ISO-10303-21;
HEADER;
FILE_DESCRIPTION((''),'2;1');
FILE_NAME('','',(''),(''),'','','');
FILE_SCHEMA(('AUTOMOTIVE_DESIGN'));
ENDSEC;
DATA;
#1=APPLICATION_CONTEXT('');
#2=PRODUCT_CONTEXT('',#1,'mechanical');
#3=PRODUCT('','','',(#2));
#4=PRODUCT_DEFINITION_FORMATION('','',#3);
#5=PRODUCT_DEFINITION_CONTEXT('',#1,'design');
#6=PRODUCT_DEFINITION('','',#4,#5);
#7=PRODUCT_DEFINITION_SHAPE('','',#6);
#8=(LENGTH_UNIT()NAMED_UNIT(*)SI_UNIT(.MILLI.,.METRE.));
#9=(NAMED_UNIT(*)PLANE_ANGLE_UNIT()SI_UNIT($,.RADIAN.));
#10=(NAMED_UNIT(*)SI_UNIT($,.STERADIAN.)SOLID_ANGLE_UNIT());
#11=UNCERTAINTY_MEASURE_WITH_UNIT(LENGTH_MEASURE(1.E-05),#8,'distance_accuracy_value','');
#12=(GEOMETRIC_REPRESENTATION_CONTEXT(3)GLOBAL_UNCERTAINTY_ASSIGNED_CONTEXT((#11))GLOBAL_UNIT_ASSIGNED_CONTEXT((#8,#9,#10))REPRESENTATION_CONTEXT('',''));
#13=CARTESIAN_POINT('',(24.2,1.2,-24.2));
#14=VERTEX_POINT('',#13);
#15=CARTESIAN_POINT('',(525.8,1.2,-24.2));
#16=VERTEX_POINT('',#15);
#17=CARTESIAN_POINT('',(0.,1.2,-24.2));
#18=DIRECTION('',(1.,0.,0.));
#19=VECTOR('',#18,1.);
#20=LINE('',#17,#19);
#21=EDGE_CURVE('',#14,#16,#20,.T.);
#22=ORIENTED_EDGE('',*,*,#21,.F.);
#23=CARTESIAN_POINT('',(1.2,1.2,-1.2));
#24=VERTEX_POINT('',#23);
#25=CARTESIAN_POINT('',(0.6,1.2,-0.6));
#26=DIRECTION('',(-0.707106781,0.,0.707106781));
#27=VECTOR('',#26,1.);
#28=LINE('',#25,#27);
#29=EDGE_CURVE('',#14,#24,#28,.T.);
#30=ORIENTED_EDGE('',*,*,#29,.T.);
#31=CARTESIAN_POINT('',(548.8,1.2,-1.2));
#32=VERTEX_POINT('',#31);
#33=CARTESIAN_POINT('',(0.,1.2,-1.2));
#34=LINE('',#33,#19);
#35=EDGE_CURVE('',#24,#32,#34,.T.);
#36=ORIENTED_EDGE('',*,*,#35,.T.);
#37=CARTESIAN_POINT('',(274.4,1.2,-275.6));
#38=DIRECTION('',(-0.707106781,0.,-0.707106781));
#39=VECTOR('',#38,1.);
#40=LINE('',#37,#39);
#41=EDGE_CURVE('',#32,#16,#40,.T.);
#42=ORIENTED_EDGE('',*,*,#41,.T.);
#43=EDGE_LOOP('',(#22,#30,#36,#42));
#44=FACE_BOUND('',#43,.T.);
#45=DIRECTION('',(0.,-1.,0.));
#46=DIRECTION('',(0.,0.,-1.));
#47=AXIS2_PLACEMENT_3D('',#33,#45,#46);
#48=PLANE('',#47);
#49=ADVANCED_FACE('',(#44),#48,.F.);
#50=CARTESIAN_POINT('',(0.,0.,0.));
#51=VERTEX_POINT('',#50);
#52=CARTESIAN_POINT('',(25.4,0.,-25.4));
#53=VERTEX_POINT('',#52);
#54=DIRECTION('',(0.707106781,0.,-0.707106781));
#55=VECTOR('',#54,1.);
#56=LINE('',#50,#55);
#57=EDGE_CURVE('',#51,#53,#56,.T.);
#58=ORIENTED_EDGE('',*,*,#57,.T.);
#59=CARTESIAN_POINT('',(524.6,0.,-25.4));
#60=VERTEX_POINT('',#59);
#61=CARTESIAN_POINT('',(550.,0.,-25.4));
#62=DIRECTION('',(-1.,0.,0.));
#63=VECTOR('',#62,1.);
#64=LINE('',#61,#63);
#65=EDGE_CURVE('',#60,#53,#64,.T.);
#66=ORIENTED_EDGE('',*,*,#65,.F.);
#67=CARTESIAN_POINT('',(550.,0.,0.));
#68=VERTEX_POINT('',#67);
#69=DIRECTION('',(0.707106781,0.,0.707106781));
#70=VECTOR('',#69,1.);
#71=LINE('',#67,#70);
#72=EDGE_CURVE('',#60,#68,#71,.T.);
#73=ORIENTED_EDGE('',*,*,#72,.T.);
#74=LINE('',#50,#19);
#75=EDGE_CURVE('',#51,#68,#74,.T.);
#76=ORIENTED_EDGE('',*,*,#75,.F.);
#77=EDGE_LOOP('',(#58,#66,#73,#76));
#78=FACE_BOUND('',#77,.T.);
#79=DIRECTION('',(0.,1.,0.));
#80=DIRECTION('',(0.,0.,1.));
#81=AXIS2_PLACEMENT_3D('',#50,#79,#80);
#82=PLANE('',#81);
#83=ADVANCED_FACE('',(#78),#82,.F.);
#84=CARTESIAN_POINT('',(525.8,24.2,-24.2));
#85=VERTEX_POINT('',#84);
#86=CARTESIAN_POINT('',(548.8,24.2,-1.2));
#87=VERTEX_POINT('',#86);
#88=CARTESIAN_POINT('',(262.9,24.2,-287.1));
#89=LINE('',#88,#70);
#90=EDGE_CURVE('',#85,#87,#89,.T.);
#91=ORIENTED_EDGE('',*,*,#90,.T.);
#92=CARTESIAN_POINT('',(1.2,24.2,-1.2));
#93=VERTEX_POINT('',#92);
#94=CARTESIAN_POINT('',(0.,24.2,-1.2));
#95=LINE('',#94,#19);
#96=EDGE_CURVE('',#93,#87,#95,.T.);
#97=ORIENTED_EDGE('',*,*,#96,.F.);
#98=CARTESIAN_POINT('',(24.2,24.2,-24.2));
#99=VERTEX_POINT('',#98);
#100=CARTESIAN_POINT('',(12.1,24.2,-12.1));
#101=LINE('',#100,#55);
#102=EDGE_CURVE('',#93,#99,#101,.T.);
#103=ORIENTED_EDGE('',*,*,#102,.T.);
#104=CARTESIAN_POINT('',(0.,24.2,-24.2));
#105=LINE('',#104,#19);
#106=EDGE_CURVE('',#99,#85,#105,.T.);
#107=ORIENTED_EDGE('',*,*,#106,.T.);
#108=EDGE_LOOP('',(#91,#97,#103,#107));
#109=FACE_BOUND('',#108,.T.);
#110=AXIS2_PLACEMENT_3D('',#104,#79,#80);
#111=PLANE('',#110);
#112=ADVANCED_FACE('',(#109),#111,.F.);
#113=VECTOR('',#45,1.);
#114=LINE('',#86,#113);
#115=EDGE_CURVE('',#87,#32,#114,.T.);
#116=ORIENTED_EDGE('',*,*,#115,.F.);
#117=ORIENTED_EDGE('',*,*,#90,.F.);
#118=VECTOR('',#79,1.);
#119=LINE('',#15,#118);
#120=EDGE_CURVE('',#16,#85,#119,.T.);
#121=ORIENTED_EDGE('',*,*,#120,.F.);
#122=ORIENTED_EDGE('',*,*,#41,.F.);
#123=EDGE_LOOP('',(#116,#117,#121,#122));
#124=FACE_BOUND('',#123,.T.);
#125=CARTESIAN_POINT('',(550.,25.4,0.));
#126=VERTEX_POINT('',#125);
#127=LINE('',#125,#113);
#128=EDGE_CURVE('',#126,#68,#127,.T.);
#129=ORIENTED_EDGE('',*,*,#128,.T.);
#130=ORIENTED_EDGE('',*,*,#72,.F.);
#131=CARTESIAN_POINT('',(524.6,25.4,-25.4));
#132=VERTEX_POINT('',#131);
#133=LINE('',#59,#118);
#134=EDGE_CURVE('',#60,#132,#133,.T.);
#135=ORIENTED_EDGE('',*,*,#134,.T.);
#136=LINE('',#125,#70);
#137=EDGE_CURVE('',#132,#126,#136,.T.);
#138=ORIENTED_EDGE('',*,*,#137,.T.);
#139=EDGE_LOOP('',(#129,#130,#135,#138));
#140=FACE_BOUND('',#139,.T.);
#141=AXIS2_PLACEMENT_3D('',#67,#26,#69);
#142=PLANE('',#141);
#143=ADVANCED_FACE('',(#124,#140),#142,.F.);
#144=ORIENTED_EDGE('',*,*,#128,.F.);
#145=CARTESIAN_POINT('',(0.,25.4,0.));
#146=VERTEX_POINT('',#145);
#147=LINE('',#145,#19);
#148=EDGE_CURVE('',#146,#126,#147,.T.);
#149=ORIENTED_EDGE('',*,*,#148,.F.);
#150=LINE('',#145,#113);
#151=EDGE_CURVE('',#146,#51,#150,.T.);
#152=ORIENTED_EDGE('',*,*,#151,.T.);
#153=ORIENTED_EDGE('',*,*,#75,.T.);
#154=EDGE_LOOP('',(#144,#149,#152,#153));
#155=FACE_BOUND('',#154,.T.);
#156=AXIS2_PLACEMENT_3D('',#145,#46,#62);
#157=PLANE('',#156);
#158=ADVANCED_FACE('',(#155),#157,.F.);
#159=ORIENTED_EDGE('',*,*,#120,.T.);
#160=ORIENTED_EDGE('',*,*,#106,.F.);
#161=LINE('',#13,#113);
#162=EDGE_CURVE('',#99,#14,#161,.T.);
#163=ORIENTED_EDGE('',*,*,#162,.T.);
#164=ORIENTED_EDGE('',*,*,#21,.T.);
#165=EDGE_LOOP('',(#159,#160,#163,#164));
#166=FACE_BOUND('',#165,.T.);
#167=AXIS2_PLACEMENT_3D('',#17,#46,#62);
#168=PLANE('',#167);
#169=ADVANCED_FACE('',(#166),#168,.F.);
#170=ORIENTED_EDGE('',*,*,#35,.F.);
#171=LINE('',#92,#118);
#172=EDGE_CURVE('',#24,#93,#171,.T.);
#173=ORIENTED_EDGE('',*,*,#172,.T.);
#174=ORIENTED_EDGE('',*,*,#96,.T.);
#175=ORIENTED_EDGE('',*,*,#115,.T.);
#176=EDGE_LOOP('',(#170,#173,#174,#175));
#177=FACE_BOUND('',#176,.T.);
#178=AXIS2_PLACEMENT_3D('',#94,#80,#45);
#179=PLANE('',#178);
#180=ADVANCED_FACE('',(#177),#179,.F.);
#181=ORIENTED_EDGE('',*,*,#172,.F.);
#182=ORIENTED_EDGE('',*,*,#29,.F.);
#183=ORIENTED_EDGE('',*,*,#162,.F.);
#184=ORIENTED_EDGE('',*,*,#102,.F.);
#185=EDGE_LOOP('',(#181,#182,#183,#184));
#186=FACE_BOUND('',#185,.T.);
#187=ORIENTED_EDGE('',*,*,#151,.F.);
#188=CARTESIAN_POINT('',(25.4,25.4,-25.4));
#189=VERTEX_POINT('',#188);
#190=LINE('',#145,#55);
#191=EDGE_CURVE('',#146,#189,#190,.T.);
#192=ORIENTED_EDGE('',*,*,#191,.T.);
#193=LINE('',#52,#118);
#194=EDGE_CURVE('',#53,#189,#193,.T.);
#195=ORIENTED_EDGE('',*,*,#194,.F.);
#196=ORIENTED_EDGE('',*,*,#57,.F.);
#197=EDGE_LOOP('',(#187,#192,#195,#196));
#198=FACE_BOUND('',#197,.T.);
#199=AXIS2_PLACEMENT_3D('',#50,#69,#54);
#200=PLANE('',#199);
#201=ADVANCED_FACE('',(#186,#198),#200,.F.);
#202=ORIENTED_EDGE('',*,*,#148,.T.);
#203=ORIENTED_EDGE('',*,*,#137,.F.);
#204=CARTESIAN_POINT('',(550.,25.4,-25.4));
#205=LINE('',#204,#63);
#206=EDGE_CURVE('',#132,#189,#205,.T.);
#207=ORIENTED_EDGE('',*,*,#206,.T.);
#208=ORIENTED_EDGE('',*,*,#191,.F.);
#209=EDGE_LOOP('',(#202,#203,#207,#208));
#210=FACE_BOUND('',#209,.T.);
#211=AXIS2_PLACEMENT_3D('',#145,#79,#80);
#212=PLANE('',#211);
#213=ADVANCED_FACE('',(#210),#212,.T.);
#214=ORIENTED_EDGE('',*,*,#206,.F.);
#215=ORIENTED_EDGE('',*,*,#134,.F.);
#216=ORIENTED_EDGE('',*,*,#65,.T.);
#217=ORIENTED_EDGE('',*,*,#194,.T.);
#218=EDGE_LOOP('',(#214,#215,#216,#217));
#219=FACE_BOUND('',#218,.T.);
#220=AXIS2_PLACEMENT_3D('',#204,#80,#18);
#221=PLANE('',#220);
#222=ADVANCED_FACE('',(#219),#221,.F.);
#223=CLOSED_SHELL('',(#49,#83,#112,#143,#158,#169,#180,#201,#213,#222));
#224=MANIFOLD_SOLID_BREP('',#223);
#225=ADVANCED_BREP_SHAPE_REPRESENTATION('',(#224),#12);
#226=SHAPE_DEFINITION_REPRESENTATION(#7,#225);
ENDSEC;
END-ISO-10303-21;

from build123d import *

# Parameters (mm, degrees)
SKETCH1_W           = 550
SKETCH1_H           = 25.4
BOSS_EXTRUDE1_DEPTH = 25.4
SKETCH2_W           = 23
SKETCH2_H           = 23
CUT_EXTRUDE1_DEPTH  = 550
CUT_EXTRUDE2_DEPTH  = 25.4


with BuildPart() as part:
    # Sketch1 → Boss-Extrude1 (new body)
    with BuildSketch(Plane(origin=(0, 0, 0), x_dir=(1, 0, 0), z_dir=(0, 1, 0))):
        with Locations((275, 12.7)):
            Rectangle(SKETCH1_W, SKETCH1_H)
    extrude(amount=BOSS_EXTRUDE1_DEPTH)

    # Sketch2 → Cut-Extrude1 (cut)
    with BuildSketch(Plane(origin=(550, 0, 0), x_dir=(0, 0, -1), z_dir=(1, 0, 0))):
        with Locations((12.7, 12.7)):
            Rectangle(SKETCH2_W, SKETCH2_H)
    extrude(amount=-CUT_EXTRUDE1_DEPTH, mode=Mode.SUBTRACT)

    # Sketch3 → Cut-Extrude2 (cut)
    with BuildSketch(Plane(origin=(0, 25.4, 0), x_dir=(1, 0, 0), z_dir=(0, 1, 0))):
        Polygon((0, 0), (25.4, 25.4), (0, 25.4), align=None)
        Polygon((550, 0), (524.6, 25.4), (550, 25.4), align=None)
    extrude(amount=-CUT_EXTRUDE2_DEPTH, mode=Mode.SUBTRACT)


solid = part.part
